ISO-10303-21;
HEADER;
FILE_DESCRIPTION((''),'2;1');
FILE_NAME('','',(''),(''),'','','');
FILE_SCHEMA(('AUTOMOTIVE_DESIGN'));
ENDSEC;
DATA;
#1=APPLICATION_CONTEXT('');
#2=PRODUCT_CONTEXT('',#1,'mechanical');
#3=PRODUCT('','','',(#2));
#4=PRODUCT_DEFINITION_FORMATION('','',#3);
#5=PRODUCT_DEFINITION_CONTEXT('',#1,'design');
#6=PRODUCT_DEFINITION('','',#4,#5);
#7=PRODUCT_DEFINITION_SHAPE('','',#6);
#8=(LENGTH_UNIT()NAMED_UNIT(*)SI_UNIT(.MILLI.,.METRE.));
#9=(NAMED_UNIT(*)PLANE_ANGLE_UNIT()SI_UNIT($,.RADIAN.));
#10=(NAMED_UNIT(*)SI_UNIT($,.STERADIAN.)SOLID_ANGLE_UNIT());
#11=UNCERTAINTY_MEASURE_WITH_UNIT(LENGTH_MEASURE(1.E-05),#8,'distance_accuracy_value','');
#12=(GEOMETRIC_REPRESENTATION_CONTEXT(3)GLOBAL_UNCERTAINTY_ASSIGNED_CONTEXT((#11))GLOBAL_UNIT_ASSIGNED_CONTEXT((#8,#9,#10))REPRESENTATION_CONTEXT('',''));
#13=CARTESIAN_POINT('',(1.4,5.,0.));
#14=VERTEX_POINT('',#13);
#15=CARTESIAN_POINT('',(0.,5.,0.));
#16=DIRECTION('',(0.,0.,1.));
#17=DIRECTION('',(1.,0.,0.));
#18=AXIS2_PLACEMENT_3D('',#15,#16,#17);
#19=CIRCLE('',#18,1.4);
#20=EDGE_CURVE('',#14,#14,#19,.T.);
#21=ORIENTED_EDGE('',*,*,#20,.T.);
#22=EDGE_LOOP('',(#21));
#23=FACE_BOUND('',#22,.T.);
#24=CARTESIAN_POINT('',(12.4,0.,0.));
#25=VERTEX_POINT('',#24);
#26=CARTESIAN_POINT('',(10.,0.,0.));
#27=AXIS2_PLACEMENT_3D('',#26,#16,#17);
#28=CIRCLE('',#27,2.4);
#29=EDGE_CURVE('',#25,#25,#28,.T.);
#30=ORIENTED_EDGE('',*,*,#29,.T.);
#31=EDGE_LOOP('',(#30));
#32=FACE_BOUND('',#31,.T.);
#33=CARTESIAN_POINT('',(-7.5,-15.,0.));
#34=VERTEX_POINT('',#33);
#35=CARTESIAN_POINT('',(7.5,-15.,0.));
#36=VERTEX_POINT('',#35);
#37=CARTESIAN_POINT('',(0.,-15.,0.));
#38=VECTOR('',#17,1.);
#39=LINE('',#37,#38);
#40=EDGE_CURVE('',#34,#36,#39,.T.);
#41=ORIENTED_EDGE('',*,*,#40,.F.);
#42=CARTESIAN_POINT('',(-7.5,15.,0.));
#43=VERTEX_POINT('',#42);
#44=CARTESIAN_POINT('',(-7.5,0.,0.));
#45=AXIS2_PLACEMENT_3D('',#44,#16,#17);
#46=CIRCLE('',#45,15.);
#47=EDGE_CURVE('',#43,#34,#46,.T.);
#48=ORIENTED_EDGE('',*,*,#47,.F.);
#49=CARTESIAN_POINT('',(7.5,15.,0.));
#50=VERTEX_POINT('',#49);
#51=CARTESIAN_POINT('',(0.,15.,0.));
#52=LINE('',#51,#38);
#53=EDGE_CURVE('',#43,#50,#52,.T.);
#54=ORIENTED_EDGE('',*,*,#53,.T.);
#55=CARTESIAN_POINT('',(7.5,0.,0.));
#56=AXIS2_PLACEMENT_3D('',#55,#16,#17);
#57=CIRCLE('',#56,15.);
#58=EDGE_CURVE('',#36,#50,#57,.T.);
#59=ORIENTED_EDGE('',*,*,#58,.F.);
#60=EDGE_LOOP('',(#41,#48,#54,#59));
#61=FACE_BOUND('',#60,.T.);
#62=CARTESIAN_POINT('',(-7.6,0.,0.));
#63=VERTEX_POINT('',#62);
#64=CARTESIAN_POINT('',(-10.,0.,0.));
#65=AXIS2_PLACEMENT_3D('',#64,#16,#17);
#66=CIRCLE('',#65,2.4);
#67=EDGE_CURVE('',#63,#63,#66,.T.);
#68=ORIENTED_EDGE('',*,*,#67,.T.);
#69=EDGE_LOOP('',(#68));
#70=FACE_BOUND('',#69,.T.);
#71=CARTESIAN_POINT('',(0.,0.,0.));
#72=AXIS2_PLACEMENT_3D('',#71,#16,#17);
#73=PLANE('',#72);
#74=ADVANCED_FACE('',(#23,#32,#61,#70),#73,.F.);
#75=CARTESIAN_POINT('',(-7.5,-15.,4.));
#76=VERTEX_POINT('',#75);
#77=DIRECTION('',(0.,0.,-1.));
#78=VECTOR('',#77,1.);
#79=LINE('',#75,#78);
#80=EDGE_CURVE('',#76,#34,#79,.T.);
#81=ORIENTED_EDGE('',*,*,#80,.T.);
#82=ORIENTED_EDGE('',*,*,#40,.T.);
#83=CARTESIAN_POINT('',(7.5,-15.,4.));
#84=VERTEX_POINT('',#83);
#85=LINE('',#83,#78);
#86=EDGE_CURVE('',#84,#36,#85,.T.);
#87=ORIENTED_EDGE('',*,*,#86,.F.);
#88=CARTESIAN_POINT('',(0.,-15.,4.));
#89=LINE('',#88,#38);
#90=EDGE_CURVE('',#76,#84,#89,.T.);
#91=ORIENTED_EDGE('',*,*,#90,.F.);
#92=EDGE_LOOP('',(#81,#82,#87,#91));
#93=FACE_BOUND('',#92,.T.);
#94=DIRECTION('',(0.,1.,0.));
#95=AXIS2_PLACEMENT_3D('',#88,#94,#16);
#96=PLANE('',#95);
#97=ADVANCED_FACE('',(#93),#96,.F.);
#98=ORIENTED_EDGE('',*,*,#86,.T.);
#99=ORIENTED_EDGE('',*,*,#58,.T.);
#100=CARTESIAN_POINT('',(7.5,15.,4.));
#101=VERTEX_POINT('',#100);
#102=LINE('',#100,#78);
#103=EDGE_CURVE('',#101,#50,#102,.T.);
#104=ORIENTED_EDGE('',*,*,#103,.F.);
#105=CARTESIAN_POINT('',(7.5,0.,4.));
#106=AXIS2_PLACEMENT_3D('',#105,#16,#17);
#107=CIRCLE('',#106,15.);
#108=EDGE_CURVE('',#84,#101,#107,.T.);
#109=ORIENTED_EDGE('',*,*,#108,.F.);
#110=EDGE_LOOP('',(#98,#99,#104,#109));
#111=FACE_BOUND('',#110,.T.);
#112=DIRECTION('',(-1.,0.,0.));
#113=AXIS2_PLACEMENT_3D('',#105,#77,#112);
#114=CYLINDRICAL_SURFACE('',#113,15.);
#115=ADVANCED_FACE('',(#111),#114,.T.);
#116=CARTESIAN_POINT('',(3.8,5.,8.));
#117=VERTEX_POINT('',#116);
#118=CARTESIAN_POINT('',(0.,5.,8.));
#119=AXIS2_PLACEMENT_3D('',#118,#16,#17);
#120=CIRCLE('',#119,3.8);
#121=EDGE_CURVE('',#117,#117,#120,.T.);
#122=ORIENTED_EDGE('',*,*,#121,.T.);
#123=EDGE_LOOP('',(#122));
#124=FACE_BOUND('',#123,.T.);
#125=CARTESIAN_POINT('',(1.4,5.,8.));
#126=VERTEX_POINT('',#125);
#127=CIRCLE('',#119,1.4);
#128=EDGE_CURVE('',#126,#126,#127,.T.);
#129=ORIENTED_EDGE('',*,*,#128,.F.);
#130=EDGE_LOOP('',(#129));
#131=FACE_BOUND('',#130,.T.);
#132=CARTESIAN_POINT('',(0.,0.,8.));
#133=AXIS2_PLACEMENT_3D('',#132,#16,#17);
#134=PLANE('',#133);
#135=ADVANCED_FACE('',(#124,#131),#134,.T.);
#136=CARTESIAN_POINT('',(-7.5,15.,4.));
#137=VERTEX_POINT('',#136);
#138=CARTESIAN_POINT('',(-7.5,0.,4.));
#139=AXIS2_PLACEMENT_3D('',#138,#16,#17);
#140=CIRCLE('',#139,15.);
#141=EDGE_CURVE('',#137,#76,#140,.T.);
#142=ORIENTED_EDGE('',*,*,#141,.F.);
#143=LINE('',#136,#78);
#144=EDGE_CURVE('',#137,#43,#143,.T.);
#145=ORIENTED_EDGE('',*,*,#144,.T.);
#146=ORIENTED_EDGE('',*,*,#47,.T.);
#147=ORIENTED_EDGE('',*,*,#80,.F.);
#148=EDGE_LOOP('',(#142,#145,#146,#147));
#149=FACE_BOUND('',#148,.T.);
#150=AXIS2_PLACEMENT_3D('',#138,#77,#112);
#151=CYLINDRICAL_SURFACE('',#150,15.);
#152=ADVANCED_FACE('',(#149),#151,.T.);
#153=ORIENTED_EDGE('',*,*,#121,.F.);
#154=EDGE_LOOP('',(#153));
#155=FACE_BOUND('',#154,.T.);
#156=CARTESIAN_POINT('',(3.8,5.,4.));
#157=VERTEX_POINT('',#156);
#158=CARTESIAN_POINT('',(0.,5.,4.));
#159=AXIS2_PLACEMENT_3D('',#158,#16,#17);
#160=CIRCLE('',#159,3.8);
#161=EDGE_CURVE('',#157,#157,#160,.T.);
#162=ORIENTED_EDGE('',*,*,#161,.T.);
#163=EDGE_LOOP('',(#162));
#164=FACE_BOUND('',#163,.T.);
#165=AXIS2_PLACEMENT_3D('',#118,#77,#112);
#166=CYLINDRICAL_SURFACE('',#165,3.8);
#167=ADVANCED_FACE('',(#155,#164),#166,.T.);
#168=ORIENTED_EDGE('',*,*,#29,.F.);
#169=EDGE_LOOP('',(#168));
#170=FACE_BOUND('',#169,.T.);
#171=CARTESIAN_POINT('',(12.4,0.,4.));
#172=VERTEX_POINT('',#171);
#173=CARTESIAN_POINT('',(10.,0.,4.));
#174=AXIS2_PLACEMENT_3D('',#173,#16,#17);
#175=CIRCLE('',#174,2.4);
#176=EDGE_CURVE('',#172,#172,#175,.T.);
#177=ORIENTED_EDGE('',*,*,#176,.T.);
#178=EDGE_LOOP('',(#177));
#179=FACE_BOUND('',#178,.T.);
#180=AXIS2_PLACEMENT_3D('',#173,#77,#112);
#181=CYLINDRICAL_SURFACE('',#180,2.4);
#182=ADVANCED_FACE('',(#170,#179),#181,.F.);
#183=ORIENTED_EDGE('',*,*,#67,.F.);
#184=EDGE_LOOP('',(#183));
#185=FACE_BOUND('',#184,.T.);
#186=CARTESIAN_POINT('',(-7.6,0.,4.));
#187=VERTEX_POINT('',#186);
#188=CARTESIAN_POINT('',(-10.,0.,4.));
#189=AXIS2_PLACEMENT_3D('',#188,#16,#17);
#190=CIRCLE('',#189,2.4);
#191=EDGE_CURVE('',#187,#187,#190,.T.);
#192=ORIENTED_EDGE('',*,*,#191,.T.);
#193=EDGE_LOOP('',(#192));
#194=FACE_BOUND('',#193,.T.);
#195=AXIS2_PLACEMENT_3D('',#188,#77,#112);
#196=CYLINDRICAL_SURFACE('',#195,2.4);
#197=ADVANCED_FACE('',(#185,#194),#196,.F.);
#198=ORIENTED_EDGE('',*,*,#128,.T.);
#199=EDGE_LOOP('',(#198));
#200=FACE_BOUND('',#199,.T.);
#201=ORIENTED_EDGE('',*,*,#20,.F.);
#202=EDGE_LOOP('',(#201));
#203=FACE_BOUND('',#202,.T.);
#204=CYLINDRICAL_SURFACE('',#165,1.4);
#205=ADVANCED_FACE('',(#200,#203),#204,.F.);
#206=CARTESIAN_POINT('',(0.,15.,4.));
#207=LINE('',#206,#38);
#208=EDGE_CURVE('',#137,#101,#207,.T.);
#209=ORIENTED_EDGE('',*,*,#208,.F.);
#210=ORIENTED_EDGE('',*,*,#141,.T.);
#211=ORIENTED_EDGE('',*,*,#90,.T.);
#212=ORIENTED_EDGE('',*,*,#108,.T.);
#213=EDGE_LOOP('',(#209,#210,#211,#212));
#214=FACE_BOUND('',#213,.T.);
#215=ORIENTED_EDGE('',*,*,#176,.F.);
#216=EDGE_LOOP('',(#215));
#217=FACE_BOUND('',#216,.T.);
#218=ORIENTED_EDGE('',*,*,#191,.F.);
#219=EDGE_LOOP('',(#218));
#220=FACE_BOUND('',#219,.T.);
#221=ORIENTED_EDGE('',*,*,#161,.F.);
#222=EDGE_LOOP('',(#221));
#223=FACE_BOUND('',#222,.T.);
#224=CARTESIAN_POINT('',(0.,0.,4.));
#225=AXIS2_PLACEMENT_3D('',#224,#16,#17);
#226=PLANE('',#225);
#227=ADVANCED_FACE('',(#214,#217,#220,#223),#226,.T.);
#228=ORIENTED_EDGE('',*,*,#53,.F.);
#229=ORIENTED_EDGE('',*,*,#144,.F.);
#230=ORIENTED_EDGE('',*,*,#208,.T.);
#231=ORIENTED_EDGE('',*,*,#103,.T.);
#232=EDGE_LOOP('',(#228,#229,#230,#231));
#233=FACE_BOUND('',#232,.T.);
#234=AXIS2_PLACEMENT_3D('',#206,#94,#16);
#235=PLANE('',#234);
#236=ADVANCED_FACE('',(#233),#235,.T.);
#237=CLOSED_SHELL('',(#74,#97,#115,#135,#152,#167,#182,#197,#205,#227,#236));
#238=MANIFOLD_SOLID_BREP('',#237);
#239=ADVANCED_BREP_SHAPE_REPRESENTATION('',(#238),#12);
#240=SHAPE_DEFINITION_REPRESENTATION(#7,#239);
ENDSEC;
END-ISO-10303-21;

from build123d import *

# Parameters (mm, degrees)
SKETCH_1_R      = 2.4
SKETCH_1_R_2    = 3.8
EXTRUDE_1_DEPTH = 4
SKETCH_1_3_R    = 3.8
SKETCH_1_3_R_2  = 1.4
EXTRUDE_2_DEPTH = 8


with BuildPart() as part:
    # 草图1 → 凸台-拉伸1 (new body)
    with BuildSketch(Plane.XY):
        with BuildLine():
            Line((7.5, 15), (-7.5, 15))
            ThreePointArc((-7.5, 15), (-22.5, 0), (-7.5, -15))
            Line((-7.5, -15), (7.5, -15))
            ThreePointArc((7.5, -15), (22.5, 0), (7.5, 15))
        make_face()
        with Locations((-10, 0)):
            Circle(SKETCH_1_R, mode=Mode.SUBTRACT)
        with Locations((10, 0)):
            Circle(SKETCH_1_R, mode=Mode.SUBTRACT)
        with Locations((0, 5)):
            Circle(SKETCH_1_R_2, mode=Mode.SUBTRACT)
    extrude(amount=EXTRUDE_1_DEPTH)

    # 草图1<3> → 凸台-拉伸2 (add)
    with BuildSketch(Plane.XY):
        with Locations((0, 5)):
            Circle(SKETCH_1_3_R)
        with Locations((0, 5)):
            Circle(SKETCH_1_3_R_2, mode=Mode.SUBTRACT)
    extrude(amount=EXTRUDE_2_DEPTH)


solid = part.part
